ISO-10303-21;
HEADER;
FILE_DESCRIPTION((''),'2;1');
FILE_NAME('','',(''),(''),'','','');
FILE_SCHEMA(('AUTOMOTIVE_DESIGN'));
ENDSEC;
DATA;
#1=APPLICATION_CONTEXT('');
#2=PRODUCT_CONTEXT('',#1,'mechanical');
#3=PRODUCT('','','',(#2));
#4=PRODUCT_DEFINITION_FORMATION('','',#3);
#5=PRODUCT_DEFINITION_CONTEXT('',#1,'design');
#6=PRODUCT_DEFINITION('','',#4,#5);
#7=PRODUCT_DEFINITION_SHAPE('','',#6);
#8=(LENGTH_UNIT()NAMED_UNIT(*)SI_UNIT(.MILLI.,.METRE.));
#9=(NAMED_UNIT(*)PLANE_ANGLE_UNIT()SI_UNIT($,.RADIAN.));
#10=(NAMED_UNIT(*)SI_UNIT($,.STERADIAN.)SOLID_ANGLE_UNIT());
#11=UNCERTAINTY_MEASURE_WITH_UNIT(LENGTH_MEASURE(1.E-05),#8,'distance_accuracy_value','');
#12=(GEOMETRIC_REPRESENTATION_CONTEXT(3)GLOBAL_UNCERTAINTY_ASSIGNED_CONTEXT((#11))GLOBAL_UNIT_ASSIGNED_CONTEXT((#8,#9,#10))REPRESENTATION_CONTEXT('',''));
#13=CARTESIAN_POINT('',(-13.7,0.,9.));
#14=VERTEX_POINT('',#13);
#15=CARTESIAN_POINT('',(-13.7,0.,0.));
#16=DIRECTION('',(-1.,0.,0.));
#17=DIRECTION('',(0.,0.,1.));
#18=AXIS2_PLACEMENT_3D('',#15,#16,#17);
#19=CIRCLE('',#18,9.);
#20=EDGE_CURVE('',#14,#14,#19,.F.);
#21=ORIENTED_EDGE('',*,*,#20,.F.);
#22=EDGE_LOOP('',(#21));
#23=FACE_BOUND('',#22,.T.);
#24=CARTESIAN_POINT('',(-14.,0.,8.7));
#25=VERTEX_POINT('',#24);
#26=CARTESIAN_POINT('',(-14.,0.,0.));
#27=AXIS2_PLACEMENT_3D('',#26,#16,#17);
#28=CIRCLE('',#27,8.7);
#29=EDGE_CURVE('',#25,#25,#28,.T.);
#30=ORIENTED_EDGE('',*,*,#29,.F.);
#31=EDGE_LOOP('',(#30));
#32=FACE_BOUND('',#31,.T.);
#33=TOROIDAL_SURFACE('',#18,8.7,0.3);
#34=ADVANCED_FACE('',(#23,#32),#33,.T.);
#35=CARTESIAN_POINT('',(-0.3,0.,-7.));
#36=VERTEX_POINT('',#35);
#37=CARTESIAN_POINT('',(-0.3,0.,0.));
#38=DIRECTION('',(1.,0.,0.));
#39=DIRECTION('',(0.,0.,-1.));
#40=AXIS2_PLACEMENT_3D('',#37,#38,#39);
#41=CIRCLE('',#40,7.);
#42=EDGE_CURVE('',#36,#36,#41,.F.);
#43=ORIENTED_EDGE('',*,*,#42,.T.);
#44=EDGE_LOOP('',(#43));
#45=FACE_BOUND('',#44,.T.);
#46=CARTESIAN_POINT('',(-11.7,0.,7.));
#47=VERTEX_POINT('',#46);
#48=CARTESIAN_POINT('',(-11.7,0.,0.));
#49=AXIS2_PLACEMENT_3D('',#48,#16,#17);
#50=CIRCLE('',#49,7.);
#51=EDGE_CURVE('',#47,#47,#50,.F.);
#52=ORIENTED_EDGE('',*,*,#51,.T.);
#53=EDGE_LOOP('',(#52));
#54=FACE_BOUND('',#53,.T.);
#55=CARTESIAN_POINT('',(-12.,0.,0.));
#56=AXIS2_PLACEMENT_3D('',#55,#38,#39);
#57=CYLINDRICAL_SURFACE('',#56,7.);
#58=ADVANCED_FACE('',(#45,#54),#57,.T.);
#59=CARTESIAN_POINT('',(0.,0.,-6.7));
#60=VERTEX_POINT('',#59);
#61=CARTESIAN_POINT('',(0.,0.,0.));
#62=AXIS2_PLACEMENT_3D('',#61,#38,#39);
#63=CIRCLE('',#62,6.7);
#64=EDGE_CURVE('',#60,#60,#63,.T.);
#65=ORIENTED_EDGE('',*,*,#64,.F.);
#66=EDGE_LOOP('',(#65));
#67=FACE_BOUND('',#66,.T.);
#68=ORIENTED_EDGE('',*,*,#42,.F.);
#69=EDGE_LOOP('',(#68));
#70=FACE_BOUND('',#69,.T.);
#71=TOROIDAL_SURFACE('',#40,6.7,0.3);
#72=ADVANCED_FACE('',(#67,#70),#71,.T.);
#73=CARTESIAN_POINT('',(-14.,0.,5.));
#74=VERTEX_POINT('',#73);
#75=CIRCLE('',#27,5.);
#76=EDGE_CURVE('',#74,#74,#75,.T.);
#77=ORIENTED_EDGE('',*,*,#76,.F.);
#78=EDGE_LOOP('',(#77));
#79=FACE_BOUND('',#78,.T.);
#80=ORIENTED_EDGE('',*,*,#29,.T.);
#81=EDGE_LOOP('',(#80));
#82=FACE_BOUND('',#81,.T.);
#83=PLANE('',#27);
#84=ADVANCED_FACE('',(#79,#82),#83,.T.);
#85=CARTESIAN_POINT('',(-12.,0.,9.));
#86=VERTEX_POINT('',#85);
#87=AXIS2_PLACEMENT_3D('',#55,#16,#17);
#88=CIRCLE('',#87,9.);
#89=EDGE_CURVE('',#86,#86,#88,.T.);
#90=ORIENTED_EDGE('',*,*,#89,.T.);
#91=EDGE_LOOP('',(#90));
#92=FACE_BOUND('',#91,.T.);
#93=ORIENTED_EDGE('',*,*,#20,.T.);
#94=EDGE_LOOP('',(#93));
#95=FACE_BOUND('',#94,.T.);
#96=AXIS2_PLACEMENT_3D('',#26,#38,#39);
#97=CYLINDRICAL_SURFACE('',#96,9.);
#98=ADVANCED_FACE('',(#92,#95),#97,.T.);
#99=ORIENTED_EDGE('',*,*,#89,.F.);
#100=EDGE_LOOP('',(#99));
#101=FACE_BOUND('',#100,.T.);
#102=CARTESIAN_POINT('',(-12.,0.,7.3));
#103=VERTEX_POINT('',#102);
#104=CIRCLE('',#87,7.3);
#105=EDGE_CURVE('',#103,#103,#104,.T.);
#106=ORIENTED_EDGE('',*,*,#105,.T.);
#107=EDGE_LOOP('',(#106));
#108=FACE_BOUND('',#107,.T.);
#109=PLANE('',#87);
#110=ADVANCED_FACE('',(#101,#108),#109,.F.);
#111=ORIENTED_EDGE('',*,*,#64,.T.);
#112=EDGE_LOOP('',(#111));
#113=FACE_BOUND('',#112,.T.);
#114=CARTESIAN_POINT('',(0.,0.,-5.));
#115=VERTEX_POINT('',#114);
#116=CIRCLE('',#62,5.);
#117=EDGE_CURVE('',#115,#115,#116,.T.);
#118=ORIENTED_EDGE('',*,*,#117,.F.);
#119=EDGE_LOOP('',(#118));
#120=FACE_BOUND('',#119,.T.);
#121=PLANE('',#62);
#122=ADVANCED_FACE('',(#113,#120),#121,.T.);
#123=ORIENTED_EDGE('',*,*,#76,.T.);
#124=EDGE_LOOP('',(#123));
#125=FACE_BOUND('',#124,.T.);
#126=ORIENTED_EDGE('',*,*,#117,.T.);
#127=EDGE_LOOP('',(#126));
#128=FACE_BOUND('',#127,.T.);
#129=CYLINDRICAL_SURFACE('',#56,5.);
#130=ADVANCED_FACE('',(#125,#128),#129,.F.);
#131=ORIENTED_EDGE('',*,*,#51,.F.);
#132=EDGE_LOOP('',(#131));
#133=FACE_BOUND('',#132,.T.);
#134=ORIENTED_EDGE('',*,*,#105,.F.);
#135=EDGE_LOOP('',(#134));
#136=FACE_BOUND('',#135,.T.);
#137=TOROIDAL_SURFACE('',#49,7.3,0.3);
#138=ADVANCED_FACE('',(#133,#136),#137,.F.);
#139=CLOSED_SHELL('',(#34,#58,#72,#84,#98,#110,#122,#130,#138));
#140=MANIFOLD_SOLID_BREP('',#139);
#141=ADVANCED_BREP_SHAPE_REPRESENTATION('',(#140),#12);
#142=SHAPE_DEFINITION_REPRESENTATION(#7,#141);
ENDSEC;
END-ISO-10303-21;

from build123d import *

# Parameters (mm, degrees)
SKETCH1_R           = 7
SKETCH1_R_2         = 5
BOSS_EXTRUDE1_DEPTH = 12
SKETCH2_R           = 9
SKETCH2_R_2         = 5
BOSS_EXTRUDE2_DEPTH = 2
FILLET1_R           = 0.3


with BuildPart() as part:
    # Sketch1 → Boss-Extrude1 (new body)
    with BuildSketch(Plane(origin=(0, 0, 0), x_dir=(0, 0, -1), z_dir=(1, 0, 0))):
        Circle(SKETCH1_R)
        Circle(SKETCH1_R_2, mode=Mode.SUBTRACT)
    extrude(amount=-BOSS_EXTRUDE1_DEPTH)

    # Sketch2 → Boss-Extrude2 (add)
    with BuildSketch(Plane.ZY.offset(12)):
        Circle(SKETCH2_R)
        with Locations(Location((0, 0, 0), (0, 0, 180))):
            Circle(SKETCH2_R_2, mode=Mode.SUBTRACT)
    extrude(amount=BOSS_EXTRUDE2_DEPTH)

    # Fillet1
    fillet1_edges = [part.edges().sort_by_distance(p)[0] for p in [
        (-12, 0, 7),
        (-14, 0, -9),
        (0, 0, 7),
    ]]
    fillet(fillet1_edges, radius=FILLET1_R)


solid = part.part
